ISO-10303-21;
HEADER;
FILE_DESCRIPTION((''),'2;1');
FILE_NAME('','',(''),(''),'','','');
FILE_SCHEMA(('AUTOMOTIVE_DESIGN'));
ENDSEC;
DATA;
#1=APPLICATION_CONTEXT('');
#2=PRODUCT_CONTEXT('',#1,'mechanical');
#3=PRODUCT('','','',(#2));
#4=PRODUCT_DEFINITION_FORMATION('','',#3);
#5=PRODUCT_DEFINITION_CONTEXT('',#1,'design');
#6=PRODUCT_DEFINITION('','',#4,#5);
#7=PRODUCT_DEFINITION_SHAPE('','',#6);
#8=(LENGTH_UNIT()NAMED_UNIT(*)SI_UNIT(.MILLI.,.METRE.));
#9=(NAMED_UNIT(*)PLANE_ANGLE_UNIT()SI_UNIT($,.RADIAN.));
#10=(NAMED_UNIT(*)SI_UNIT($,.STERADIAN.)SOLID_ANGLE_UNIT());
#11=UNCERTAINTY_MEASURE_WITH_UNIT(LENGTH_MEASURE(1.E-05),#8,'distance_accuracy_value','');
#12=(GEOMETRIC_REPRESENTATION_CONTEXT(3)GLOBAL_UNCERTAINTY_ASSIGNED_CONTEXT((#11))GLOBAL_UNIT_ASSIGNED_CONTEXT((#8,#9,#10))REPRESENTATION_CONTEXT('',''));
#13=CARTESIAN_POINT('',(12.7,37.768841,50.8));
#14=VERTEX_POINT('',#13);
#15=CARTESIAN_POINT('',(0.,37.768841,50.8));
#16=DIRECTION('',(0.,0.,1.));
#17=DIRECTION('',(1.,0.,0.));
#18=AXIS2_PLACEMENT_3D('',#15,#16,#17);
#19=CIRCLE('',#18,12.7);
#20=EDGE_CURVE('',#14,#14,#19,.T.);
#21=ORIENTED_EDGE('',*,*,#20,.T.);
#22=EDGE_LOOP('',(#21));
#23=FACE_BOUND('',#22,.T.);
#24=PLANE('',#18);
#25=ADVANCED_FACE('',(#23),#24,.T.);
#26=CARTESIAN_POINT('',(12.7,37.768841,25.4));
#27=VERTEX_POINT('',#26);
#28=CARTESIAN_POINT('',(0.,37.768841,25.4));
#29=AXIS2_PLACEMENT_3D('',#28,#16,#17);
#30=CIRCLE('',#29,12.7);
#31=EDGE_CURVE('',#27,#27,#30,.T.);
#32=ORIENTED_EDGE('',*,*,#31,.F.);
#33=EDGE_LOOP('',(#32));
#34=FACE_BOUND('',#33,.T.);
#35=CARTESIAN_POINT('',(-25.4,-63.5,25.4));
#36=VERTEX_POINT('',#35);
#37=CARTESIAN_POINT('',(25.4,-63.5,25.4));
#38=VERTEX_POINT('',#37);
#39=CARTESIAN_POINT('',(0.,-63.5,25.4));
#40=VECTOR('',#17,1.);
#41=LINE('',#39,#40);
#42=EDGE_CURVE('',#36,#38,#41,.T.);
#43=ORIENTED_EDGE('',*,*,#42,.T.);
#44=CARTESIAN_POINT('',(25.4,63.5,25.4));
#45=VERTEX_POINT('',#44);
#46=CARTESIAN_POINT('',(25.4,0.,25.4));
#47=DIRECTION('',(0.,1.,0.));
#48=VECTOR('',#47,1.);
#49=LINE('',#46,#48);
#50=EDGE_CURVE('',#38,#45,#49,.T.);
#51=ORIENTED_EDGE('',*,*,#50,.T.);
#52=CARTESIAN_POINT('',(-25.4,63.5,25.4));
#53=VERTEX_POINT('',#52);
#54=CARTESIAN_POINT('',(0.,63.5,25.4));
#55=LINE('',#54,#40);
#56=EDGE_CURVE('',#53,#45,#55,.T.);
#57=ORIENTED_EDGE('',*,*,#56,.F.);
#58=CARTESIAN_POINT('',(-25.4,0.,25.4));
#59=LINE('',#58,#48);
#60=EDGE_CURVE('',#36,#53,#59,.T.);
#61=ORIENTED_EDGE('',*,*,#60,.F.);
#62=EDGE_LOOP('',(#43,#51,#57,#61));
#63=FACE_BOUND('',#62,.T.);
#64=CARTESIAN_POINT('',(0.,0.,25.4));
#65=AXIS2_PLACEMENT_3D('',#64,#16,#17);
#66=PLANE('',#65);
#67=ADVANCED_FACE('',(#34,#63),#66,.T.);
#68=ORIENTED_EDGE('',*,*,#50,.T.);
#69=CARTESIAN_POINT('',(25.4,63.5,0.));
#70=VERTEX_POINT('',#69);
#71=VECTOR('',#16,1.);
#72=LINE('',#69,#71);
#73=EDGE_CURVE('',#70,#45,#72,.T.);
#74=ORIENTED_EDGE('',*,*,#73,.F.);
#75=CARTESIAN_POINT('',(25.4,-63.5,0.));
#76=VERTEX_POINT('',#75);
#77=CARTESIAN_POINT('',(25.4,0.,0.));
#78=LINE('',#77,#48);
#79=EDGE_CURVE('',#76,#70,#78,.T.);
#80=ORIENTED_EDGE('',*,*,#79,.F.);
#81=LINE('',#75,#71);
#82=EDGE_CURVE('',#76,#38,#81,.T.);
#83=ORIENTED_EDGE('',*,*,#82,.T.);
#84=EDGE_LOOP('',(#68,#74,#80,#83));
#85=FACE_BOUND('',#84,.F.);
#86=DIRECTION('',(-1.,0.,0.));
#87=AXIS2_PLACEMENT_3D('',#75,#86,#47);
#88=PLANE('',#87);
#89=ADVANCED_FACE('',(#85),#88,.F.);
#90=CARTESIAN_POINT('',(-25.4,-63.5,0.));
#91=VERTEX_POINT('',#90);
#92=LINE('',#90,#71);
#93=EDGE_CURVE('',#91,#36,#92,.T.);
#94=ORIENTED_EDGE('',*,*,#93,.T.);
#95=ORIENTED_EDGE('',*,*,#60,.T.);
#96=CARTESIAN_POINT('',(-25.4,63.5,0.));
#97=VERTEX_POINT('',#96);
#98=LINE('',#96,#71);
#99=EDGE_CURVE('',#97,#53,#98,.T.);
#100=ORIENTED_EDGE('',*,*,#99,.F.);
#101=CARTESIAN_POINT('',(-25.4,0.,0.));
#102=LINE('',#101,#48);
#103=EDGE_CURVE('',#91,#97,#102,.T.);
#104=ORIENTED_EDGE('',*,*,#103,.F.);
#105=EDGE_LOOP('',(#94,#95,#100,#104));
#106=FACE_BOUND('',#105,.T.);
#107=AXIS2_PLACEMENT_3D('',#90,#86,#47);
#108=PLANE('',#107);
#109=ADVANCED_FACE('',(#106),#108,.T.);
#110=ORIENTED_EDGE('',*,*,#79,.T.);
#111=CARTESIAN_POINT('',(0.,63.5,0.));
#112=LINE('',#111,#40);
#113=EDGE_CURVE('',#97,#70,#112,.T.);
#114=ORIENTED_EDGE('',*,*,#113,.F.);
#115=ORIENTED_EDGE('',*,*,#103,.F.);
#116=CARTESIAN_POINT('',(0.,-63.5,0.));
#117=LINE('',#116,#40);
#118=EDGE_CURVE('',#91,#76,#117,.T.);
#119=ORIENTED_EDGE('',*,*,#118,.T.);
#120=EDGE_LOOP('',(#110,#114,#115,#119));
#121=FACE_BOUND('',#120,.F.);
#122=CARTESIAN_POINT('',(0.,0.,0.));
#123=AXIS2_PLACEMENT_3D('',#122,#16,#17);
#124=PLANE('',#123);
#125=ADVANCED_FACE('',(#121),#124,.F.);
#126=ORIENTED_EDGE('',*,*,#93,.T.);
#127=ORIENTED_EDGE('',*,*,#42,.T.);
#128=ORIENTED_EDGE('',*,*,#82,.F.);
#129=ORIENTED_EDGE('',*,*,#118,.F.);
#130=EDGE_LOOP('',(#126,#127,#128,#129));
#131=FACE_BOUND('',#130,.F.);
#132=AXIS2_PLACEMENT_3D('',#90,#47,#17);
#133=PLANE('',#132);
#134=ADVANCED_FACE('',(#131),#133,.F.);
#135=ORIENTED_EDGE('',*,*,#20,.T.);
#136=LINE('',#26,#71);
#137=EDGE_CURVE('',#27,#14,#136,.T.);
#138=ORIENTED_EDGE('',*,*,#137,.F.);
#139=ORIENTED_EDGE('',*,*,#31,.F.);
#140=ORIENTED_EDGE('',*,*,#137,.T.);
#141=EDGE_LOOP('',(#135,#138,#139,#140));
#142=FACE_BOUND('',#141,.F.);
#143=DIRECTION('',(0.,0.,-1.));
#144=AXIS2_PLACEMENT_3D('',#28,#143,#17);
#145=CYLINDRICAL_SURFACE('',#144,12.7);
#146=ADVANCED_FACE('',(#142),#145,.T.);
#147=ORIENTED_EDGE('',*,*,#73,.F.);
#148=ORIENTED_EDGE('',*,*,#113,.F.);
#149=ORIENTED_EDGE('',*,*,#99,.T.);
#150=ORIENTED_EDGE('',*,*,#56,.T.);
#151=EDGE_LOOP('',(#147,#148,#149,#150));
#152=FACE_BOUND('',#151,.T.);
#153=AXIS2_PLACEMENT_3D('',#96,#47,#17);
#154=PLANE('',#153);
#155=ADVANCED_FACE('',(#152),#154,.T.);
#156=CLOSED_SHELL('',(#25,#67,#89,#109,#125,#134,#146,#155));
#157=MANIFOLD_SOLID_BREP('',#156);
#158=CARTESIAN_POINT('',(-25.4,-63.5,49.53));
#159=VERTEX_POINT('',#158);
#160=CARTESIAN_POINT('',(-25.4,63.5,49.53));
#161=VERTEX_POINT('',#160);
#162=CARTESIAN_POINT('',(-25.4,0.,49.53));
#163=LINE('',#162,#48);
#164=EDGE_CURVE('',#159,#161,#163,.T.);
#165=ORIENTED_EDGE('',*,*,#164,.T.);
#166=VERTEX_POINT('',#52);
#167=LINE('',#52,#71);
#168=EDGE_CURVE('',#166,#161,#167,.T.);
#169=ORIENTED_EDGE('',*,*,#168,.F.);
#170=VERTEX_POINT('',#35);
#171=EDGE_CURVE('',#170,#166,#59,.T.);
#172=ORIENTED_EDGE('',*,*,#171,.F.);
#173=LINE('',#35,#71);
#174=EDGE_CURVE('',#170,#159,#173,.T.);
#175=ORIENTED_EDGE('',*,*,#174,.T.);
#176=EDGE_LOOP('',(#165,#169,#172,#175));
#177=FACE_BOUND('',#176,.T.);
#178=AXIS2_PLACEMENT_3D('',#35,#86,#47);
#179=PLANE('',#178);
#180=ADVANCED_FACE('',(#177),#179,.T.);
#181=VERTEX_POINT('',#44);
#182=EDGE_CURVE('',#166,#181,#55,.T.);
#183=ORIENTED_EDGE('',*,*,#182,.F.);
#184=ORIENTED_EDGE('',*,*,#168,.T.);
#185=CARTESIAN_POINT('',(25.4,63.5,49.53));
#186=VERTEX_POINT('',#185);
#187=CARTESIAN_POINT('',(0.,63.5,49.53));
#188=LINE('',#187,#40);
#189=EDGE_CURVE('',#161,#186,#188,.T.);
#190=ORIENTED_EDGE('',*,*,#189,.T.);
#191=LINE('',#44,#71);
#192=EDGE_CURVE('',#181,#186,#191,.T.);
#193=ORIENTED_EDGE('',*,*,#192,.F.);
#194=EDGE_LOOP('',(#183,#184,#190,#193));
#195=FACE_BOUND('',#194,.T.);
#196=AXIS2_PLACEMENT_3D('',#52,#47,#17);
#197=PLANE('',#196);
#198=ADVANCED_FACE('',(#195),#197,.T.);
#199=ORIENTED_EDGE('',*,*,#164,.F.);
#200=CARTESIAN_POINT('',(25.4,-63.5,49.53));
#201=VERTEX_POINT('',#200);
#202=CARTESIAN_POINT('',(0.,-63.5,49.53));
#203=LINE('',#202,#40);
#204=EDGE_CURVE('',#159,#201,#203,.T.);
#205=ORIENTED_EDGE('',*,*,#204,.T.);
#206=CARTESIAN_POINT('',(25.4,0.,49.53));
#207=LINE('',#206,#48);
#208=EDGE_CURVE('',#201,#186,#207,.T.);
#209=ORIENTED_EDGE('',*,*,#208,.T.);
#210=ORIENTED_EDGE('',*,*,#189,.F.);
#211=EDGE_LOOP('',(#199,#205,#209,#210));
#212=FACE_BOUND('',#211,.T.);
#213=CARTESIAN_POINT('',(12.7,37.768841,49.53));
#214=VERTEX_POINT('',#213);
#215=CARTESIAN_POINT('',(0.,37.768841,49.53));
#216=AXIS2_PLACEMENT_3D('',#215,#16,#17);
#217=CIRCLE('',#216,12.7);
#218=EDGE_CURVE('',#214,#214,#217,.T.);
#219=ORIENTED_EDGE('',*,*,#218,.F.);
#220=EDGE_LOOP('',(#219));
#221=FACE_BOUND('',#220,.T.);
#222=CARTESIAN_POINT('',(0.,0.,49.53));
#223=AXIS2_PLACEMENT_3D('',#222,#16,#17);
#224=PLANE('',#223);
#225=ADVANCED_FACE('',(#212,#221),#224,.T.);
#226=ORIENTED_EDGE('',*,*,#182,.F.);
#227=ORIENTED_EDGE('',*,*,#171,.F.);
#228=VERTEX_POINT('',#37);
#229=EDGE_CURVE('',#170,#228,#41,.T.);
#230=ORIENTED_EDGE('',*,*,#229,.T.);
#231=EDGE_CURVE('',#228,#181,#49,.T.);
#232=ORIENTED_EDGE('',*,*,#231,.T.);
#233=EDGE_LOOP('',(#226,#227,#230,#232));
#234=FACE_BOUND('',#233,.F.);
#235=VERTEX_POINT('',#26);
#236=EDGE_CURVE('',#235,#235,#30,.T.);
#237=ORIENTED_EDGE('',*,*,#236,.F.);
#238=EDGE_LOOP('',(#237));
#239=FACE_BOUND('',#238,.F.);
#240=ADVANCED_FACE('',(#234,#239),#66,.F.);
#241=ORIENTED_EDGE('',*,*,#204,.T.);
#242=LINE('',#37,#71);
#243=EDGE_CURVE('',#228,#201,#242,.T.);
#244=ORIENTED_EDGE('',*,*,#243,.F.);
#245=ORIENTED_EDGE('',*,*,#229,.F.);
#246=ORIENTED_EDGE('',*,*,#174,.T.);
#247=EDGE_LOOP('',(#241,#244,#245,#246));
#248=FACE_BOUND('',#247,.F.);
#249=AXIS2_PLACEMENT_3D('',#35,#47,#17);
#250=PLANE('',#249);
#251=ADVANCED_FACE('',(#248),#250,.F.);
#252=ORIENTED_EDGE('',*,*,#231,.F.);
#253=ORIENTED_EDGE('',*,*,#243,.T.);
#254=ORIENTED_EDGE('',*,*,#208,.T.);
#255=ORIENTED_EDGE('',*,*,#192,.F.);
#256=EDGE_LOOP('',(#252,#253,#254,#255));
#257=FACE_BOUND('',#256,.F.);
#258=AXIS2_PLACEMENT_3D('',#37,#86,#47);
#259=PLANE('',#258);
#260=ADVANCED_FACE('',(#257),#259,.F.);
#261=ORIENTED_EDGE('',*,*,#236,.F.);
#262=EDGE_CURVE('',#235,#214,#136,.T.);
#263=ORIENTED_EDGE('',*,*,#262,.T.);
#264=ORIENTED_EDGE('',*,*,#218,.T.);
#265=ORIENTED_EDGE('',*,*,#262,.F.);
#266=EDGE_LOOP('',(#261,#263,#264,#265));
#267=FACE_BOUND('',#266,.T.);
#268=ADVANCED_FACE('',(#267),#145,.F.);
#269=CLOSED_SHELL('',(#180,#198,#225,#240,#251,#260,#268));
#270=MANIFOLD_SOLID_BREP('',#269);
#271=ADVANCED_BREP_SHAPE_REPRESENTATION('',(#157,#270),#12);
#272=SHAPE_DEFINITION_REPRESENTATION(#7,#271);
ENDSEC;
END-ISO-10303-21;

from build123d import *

# Parameters (mm, degrees)
F0_W     = 50.8
F0_H     = 127
F1_DEPTH = 25.4
F2_R     = 12.7
F3_DEPTH = 25.4
F4_W     = 50.8
F4_H     = 127
F4_R     = 12.7
F5_DEPTH = 24.13


with BuildPart() as f1:
    # F0 (on Top) → F1 (new body)
    with BuildSketch(Plane.XY):
        Rectangle(F0_W, F0_H)
    extrude(amount=F1_DEPTH)

    # F2 (on face) → F3 (join)
    with BuildSketch(Plane.XY.offset(25.4)):
        with Locations((0, 37.768841)):
            Circle(F2_R)
    extrude(amount=F3_DEPTH)


with BuildPart() as f5:
    # F4 (on face) → F5 (new body)
    with BuildSketch(Plane.XY.offset(25.4)):
        Rectangle(F4_W, F4_H)
        with Locations((0, 37.768841)):
            Circle(F4_R, mode=Mode.SUBTRACT)
    extrude(amount=F5_DEPTH)


solid = Compound([f1.part, f5.part])
